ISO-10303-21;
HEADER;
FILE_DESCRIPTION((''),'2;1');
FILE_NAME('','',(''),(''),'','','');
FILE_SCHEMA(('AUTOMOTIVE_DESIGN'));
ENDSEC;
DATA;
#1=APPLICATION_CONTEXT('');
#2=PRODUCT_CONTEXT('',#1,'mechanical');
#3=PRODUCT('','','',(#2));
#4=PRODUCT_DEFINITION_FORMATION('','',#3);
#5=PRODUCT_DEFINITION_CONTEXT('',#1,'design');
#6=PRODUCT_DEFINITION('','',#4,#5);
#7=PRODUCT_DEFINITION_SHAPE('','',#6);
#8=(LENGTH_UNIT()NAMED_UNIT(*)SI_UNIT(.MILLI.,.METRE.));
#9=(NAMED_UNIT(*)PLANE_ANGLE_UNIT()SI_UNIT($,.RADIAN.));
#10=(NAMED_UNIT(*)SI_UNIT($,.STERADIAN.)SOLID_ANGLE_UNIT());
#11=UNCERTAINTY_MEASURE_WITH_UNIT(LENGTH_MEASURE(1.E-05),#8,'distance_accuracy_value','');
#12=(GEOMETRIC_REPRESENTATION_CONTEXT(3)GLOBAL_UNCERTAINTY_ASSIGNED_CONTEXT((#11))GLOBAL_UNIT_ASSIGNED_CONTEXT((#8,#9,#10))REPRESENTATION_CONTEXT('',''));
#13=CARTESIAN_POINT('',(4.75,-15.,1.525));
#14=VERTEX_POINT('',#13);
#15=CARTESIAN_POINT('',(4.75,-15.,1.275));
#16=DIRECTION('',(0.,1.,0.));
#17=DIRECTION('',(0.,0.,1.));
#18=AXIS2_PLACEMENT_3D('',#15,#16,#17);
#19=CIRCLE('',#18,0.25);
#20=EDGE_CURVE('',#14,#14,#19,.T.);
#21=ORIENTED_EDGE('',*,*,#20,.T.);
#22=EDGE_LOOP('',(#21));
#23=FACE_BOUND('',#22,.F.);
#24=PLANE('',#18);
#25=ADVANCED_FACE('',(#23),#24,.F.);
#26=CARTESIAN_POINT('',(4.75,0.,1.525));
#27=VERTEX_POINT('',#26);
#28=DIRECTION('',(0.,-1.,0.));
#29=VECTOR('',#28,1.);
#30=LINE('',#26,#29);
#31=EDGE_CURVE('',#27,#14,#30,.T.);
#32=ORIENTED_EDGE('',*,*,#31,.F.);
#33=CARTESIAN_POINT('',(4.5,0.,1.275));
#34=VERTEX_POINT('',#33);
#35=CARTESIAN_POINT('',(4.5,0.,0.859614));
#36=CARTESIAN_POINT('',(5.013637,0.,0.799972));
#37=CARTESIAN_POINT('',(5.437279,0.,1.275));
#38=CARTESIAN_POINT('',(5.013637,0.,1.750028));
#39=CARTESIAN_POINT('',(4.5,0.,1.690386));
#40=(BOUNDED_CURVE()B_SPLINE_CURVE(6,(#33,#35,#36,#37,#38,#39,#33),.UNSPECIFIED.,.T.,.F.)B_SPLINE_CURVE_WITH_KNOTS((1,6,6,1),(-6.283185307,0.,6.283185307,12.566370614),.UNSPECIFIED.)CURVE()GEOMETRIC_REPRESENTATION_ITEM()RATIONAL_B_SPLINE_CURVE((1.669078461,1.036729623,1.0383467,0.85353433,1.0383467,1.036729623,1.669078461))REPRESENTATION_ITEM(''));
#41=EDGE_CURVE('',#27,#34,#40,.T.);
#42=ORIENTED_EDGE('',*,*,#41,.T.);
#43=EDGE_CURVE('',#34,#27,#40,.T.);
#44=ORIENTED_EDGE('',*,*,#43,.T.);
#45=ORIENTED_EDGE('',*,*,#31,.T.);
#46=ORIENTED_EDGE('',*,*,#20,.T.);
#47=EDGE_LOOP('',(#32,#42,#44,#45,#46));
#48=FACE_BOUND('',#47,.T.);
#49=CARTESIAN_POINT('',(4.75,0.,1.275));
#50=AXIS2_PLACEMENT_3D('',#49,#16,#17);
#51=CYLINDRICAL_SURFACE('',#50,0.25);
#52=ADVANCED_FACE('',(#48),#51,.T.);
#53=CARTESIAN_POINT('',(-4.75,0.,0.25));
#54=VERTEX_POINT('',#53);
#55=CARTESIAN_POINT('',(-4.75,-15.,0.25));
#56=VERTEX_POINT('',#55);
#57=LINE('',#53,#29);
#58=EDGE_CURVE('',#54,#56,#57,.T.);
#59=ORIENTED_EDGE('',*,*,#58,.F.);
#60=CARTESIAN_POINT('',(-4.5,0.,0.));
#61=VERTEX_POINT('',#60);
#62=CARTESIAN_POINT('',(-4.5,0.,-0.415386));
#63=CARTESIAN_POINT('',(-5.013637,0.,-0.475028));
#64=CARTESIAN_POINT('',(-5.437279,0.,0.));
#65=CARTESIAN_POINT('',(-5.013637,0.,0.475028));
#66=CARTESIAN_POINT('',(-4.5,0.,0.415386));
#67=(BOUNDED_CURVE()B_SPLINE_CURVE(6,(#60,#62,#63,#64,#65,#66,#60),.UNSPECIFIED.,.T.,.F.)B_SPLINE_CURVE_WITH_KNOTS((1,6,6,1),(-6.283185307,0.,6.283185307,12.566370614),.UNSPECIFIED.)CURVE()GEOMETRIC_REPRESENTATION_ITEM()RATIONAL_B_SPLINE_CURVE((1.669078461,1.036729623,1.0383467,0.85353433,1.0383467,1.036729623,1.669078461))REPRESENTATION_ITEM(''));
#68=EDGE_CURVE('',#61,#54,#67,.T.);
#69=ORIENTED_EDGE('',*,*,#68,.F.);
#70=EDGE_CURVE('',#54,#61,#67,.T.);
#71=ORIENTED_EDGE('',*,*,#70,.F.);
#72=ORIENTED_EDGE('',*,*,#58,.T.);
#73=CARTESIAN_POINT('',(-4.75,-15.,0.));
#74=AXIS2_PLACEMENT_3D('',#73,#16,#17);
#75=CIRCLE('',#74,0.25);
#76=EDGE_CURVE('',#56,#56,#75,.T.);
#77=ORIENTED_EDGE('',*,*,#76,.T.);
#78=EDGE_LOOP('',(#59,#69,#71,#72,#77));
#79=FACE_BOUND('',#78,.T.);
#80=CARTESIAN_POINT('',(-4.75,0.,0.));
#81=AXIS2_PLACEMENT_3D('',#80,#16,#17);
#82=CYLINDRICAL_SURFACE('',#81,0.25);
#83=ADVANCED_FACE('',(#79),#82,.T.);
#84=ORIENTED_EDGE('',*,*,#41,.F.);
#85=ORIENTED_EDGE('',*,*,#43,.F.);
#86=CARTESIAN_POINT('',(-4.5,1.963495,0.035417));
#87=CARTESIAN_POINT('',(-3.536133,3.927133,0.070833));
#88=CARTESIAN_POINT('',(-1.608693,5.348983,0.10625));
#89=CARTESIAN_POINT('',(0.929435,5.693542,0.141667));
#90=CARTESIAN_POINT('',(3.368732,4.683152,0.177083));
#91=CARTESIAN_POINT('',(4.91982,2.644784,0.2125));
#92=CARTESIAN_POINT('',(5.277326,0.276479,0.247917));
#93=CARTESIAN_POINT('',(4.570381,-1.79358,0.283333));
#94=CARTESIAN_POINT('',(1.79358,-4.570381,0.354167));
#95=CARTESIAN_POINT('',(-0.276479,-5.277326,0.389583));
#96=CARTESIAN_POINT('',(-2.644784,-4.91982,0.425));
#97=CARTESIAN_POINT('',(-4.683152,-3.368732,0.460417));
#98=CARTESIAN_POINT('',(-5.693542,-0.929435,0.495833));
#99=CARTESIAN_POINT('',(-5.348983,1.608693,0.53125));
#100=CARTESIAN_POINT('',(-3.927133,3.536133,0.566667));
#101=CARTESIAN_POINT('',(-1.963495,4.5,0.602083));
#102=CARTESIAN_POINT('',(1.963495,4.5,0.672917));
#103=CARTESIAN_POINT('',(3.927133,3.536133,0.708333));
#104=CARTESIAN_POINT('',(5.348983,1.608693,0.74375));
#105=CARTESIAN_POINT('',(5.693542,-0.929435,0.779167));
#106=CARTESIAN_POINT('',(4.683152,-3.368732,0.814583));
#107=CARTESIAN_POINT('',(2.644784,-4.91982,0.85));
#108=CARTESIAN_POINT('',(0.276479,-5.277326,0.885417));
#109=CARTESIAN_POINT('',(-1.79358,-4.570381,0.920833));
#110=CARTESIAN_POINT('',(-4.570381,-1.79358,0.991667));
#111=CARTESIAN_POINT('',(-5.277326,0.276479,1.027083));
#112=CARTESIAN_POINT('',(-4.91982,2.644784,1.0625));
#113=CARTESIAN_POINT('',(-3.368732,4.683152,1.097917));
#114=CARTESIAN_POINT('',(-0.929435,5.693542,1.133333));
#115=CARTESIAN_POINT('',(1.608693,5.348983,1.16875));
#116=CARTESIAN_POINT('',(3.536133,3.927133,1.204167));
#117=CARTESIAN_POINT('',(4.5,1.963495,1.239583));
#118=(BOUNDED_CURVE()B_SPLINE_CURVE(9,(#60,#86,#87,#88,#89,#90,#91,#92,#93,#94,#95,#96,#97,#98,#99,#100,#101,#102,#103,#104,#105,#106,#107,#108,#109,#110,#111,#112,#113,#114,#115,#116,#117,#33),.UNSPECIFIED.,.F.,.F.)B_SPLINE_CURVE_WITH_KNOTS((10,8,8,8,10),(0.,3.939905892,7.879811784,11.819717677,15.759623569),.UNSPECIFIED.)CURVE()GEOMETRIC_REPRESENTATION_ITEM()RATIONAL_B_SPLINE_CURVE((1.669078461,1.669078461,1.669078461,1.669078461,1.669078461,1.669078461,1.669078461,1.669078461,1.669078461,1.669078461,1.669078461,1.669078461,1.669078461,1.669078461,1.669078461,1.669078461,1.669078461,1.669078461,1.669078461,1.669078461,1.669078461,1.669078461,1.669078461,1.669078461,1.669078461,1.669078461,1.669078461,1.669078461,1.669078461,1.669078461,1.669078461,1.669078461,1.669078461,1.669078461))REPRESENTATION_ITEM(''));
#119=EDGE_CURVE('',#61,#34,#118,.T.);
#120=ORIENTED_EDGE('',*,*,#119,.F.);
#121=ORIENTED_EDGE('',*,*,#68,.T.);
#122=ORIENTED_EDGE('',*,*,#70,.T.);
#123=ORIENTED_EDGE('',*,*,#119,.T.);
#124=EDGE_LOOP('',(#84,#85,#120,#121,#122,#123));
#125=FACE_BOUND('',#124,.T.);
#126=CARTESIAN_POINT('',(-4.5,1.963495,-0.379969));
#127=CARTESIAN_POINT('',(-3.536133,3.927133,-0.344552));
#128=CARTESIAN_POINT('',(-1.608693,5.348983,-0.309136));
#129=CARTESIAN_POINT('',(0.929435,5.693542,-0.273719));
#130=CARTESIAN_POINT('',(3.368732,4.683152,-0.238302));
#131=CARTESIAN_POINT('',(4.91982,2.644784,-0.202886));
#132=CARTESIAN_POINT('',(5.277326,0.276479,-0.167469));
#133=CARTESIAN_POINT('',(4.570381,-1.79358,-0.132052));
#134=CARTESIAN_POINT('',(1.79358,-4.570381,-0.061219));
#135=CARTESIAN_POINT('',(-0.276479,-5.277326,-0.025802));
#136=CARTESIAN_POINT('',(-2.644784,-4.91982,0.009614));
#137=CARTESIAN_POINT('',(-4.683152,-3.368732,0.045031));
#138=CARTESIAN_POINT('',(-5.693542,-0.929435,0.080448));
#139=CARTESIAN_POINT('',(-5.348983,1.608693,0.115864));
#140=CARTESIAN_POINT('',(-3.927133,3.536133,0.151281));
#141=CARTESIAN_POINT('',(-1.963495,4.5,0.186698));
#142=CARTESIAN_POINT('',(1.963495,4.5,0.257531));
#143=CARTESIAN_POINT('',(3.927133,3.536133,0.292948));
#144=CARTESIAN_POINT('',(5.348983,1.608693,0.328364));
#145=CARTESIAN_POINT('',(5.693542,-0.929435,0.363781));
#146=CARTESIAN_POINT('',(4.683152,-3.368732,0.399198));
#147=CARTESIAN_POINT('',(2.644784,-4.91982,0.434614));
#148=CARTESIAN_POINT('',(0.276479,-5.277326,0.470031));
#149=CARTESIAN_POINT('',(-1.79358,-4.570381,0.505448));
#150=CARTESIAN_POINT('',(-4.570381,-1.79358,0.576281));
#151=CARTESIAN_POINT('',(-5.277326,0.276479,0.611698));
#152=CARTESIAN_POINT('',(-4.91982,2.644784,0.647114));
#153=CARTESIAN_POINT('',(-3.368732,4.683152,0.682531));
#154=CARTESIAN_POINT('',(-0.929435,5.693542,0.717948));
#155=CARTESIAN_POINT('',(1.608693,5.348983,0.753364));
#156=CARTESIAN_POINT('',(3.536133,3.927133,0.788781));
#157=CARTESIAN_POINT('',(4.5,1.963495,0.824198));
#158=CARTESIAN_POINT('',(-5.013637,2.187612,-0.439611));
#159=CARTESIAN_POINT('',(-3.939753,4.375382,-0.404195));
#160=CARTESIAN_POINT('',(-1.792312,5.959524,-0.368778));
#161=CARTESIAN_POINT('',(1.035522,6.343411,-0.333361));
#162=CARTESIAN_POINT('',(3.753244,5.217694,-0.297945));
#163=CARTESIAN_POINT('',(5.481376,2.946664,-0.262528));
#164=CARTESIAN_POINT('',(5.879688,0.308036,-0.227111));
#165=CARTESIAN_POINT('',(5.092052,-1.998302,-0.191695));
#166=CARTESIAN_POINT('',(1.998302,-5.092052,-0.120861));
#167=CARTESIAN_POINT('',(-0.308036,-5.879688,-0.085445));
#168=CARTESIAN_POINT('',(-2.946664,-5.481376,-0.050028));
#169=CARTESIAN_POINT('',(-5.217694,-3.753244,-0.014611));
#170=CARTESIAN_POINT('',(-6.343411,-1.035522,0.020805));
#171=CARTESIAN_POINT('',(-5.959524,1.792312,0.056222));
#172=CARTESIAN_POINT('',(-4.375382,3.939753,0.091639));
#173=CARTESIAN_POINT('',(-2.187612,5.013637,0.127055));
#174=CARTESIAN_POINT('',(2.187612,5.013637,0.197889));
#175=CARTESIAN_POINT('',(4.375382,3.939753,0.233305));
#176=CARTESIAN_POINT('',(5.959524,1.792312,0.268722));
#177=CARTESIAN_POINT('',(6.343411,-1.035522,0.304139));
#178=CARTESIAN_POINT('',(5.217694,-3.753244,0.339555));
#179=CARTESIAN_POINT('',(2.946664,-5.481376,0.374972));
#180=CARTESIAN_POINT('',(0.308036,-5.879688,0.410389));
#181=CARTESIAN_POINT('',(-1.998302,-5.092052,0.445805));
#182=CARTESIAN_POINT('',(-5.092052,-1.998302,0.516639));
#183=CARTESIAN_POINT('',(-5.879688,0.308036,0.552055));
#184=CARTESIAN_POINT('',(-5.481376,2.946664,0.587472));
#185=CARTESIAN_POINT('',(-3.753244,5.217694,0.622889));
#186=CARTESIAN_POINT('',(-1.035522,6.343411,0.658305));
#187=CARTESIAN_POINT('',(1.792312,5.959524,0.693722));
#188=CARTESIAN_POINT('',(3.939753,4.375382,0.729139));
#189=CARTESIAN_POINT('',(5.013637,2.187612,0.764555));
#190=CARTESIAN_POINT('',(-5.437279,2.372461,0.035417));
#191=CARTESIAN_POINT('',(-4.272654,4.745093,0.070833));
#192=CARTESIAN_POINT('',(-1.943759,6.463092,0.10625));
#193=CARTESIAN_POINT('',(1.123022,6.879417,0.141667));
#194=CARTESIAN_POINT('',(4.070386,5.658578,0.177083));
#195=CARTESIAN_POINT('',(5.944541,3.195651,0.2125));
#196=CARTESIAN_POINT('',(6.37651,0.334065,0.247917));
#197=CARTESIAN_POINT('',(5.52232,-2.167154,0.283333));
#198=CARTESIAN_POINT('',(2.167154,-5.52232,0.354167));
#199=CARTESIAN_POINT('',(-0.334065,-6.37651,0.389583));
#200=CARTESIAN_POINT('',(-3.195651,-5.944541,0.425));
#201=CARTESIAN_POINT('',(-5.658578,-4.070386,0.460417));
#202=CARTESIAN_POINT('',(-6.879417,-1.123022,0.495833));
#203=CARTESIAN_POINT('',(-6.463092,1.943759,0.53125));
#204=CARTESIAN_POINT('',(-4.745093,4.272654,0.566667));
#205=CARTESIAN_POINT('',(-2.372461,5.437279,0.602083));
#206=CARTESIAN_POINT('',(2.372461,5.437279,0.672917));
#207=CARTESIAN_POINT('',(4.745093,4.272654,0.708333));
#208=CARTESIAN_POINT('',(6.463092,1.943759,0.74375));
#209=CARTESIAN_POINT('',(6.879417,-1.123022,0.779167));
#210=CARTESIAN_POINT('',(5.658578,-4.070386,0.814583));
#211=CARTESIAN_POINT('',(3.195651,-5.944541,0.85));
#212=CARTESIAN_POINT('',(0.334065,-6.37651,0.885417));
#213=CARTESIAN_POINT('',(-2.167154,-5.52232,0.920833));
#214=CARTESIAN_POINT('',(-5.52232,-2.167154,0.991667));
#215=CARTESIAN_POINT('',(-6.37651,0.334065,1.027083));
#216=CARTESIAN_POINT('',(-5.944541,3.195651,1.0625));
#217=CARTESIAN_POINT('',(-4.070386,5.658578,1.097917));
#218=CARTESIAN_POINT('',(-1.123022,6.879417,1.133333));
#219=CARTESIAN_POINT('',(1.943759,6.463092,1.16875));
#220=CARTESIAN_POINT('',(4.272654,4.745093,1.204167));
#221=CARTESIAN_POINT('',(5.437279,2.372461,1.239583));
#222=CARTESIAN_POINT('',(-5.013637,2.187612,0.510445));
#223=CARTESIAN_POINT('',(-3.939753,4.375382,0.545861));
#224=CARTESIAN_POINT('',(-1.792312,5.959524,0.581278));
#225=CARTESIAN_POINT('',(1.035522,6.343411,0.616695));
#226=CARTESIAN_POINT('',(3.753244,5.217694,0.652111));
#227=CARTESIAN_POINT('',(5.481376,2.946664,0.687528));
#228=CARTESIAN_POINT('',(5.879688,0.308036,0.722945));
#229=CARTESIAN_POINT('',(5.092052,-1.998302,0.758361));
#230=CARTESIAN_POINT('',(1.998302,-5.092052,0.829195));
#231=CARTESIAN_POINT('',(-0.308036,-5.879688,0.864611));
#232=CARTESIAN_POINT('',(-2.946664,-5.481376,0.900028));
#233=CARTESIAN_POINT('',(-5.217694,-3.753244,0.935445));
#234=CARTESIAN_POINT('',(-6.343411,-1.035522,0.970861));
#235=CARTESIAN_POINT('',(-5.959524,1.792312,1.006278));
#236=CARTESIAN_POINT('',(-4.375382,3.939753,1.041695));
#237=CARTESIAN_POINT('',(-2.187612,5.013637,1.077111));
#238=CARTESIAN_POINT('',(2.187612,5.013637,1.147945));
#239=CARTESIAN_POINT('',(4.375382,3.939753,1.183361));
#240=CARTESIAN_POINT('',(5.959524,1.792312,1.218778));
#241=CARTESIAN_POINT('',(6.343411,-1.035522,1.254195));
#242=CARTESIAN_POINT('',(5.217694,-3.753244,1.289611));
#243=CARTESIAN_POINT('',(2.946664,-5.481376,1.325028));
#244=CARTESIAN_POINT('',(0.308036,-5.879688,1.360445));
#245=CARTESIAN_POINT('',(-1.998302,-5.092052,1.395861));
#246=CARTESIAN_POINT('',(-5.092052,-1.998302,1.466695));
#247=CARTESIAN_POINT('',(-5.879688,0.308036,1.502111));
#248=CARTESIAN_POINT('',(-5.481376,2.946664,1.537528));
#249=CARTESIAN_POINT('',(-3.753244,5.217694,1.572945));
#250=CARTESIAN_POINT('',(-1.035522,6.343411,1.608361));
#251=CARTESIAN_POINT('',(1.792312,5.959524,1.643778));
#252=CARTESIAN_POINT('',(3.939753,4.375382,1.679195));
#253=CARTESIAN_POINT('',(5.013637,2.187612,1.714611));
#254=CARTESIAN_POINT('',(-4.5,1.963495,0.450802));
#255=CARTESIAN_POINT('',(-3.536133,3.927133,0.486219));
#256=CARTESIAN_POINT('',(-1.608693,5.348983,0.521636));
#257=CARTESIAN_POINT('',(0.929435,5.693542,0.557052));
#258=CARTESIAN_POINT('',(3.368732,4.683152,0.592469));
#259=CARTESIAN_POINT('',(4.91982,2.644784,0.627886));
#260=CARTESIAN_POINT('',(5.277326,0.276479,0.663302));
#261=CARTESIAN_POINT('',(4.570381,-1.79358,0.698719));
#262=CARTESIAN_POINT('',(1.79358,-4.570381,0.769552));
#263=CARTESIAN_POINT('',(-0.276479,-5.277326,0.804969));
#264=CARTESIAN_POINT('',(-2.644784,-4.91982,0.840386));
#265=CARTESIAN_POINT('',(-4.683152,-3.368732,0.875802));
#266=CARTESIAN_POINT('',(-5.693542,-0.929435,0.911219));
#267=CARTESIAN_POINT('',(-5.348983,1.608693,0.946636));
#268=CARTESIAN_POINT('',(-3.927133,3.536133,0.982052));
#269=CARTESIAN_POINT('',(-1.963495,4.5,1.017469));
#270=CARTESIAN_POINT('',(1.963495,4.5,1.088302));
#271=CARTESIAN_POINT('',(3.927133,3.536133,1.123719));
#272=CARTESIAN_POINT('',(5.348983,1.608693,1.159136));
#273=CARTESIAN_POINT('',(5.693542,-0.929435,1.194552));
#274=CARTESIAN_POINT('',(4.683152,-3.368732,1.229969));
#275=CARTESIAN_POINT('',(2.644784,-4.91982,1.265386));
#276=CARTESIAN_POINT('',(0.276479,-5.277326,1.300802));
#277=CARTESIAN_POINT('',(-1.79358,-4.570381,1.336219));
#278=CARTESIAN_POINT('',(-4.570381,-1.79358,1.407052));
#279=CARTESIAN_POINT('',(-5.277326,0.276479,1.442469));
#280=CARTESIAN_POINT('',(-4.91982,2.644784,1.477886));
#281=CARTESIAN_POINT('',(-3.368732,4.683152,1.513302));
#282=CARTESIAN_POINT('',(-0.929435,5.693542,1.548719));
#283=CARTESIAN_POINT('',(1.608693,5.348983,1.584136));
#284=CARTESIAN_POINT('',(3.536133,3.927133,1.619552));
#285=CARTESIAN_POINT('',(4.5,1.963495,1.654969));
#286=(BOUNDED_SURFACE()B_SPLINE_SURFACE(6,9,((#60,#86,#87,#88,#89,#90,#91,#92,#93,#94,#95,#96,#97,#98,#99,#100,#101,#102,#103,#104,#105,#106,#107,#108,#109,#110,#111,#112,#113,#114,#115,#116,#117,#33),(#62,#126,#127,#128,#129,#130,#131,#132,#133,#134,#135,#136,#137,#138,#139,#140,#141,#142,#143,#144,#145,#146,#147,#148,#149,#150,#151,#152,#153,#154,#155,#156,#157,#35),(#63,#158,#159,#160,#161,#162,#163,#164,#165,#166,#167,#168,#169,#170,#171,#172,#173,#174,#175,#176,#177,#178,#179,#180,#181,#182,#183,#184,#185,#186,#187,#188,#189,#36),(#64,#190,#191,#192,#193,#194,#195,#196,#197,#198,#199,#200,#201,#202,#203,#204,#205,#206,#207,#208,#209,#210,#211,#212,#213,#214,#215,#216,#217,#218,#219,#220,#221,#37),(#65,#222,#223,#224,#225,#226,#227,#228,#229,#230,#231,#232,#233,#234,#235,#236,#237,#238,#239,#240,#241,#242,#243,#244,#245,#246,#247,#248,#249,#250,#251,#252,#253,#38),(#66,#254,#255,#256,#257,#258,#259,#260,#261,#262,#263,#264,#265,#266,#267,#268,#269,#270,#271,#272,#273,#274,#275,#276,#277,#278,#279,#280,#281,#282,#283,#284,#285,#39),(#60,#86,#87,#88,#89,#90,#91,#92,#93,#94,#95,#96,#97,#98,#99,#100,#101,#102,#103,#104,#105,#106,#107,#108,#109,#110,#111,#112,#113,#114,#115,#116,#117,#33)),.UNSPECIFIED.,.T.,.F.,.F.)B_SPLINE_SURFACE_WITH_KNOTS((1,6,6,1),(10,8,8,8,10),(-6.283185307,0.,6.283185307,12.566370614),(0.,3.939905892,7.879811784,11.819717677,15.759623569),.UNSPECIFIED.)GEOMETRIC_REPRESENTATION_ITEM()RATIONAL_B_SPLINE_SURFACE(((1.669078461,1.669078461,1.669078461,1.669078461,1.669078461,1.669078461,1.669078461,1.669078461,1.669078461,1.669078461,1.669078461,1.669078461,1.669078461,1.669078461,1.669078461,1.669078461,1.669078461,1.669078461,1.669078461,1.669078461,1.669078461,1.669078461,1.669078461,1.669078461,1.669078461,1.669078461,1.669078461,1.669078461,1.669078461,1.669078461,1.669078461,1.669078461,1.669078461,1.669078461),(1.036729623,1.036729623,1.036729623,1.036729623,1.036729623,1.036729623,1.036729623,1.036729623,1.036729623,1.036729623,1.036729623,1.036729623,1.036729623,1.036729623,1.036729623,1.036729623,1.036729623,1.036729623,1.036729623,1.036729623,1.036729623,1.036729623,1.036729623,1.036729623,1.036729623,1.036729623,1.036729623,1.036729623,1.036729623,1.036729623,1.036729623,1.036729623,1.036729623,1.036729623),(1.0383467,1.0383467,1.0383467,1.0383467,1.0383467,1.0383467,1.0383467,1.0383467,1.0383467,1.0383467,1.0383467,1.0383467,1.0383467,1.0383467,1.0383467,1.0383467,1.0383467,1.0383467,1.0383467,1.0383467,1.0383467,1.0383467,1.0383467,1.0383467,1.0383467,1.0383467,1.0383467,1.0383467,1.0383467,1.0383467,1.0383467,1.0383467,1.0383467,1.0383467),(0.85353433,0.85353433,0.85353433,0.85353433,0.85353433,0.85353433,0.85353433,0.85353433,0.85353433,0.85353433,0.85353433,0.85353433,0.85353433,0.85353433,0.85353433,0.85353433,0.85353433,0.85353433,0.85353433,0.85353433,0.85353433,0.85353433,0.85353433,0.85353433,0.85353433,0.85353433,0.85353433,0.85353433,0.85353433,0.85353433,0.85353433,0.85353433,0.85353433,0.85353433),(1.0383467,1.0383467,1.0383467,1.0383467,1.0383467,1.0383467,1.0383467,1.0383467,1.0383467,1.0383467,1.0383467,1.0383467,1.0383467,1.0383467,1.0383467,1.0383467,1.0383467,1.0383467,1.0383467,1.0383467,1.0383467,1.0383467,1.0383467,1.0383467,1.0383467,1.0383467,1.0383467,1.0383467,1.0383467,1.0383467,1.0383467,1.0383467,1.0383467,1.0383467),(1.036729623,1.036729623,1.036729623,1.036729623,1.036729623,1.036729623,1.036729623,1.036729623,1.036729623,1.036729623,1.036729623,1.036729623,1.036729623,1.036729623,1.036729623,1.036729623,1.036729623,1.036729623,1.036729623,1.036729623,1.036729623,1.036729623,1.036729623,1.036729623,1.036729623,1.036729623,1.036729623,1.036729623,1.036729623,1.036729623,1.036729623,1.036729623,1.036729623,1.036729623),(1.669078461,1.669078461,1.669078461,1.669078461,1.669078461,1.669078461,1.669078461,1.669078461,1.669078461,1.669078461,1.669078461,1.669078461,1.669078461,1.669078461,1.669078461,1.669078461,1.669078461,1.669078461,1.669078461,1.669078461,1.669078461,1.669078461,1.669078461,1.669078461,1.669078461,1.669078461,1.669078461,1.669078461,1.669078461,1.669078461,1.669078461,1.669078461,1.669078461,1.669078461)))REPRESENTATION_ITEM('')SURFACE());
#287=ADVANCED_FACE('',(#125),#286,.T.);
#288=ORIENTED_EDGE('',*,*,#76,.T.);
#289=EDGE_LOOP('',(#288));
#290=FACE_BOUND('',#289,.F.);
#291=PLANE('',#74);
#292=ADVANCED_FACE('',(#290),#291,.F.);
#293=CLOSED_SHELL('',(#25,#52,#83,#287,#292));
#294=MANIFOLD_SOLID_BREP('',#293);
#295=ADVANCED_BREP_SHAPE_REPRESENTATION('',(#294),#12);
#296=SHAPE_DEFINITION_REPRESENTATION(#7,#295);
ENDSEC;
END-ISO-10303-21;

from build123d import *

# Parameters (mm, degrees)
SWEEP1_PITCH                 = 0.51
SWEEP1_HEIGHT                = 1.275
SWEEP1_RADIUS                = 4.75
SWEEP1_START_ANGLE           = -180
SCHIZZO2_R                   = 0.25
SCHIZZO3_R                   = 0.25
ESTRUSIONE_ESTRUSIONE1_DEPTH = 15


with BuildPart() as part:
    # Sweep1: sweep along a helix
    with BuildLine() as sweep1_path:
        add(Helix(SWEEP1_PITCH, SWEEP1_HEIGHT, SWEEP1_RADIUS, center=(0, 0, 0), direction=(0, 0, 1), lefthand=True, mode=Mode.PRIVATE).rotate(Axis((0, 0, 0), (0, 0, 1)), SWEEP1_START_ANGLE))
    # Schizzo2 → Sweep1 (sweep)
    with BuildSketch(Plane(origin=(0, 0, 0), x_dir=(1, 0, 0), z_dir=(0, 1, 0))):
        with Locations((-4.75, 0)):
            Circle(SCHIZZO2_R)
    sweep(path=sweep1_path.line, is_frenet=True)

    # Schizzo3 → Estrusione-Estrusione1 (add)
    with BuildSketch(Plane(origin=(0, 0, 0), x_dir=(1, 0, 0), z_dir=(0, 1, 0))):
        with Locations(Location((4.75, -1.275, 0), (0, 0, 270))):
            Circle(SCHIZZO3_R)
        with Locations(Location((-4.75, 0, 0), (0, 0, 270))):
            Circle(SCHIZZO3_R)
    extrude(amount=-ESTRUSIONE_ESTRUSIONE1_DEPTH)


solid = part.part
